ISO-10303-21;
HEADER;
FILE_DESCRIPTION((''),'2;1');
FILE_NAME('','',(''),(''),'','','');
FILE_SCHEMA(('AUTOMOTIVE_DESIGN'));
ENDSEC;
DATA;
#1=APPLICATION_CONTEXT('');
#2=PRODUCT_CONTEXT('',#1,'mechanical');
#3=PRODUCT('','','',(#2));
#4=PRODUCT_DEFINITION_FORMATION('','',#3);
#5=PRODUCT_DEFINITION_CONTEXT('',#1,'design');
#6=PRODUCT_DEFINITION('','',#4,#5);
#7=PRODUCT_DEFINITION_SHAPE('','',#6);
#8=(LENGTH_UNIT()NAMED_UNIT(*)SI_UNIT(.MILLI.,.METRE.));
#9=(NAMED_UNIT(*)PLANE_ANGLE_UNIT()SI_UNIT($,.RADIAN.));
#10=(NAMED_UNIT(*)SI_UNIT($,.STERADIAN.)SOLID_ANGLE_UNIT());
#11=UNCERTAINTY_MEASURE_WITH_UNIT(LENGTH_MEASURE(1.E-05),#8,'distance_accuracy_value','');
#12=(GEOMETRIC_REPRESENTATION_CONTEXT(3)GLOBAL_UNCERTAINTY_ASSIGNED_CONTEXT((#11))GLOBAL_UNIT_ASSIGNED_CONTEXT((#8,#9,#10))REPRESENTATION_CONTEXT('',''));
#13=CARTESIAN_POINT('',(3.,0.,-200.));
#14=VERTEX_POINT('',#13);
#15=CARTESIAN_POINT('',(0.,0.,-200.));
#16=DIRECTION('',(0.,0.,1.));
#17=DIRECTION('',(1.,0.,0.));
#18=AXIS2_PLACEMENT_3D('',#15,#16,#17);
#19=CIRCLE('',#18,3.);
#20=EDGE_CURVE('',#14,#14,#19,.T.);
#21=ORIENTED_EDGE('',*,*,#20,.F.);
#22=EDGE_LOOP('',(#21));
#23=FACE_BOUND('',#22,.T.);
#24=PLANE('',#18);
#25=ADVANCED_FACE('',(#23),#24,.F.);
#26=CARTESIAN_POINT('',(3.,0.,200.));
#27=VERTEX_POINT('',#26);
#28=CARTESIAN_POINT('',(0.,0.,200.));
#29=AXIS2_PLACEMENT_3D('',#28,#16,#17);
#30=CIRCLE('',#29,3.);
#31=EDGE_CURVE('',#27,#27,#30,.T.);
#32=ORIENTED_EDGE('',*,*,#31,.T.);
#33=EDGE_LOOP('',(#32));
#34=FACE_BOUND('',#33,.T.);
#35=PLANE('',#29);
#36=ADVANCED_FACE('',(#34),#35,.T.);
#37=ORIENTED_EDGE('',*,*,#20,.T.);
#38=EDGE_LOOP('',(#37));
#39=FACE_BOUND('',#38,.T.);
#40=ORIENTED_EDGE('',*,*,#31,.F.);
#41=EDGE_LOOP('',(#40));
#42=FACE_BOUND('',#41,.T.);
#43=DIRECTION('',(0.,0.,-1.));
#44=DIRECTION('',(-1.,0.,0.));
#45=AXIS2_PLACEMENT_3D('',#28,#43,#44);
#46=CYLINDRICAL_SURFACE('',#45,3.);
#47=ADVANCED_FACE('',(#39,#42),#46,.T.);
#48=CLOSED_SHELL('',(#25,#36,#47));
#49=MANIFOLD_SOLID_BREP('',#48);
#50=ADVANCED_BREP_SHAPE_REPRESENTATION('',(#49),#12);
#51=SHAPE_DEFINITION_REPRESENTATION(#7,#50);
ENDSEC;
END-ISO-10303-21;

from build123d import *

# Parameters (mm, degrees)
SKETCH1_R           = 3
BOSS_EXTRUDE1_DEPTH = 200


with BuildPart() as part:
    # Sketch1 → Boss-Extrude1 (new body, symmetric)
    with BuildSketch(Plane.XY):
        Circle(SKETCH1_R)
    extrude(amount=BOSS_EXTRUDE1_DEPTH, both=True)


solid = part.part
